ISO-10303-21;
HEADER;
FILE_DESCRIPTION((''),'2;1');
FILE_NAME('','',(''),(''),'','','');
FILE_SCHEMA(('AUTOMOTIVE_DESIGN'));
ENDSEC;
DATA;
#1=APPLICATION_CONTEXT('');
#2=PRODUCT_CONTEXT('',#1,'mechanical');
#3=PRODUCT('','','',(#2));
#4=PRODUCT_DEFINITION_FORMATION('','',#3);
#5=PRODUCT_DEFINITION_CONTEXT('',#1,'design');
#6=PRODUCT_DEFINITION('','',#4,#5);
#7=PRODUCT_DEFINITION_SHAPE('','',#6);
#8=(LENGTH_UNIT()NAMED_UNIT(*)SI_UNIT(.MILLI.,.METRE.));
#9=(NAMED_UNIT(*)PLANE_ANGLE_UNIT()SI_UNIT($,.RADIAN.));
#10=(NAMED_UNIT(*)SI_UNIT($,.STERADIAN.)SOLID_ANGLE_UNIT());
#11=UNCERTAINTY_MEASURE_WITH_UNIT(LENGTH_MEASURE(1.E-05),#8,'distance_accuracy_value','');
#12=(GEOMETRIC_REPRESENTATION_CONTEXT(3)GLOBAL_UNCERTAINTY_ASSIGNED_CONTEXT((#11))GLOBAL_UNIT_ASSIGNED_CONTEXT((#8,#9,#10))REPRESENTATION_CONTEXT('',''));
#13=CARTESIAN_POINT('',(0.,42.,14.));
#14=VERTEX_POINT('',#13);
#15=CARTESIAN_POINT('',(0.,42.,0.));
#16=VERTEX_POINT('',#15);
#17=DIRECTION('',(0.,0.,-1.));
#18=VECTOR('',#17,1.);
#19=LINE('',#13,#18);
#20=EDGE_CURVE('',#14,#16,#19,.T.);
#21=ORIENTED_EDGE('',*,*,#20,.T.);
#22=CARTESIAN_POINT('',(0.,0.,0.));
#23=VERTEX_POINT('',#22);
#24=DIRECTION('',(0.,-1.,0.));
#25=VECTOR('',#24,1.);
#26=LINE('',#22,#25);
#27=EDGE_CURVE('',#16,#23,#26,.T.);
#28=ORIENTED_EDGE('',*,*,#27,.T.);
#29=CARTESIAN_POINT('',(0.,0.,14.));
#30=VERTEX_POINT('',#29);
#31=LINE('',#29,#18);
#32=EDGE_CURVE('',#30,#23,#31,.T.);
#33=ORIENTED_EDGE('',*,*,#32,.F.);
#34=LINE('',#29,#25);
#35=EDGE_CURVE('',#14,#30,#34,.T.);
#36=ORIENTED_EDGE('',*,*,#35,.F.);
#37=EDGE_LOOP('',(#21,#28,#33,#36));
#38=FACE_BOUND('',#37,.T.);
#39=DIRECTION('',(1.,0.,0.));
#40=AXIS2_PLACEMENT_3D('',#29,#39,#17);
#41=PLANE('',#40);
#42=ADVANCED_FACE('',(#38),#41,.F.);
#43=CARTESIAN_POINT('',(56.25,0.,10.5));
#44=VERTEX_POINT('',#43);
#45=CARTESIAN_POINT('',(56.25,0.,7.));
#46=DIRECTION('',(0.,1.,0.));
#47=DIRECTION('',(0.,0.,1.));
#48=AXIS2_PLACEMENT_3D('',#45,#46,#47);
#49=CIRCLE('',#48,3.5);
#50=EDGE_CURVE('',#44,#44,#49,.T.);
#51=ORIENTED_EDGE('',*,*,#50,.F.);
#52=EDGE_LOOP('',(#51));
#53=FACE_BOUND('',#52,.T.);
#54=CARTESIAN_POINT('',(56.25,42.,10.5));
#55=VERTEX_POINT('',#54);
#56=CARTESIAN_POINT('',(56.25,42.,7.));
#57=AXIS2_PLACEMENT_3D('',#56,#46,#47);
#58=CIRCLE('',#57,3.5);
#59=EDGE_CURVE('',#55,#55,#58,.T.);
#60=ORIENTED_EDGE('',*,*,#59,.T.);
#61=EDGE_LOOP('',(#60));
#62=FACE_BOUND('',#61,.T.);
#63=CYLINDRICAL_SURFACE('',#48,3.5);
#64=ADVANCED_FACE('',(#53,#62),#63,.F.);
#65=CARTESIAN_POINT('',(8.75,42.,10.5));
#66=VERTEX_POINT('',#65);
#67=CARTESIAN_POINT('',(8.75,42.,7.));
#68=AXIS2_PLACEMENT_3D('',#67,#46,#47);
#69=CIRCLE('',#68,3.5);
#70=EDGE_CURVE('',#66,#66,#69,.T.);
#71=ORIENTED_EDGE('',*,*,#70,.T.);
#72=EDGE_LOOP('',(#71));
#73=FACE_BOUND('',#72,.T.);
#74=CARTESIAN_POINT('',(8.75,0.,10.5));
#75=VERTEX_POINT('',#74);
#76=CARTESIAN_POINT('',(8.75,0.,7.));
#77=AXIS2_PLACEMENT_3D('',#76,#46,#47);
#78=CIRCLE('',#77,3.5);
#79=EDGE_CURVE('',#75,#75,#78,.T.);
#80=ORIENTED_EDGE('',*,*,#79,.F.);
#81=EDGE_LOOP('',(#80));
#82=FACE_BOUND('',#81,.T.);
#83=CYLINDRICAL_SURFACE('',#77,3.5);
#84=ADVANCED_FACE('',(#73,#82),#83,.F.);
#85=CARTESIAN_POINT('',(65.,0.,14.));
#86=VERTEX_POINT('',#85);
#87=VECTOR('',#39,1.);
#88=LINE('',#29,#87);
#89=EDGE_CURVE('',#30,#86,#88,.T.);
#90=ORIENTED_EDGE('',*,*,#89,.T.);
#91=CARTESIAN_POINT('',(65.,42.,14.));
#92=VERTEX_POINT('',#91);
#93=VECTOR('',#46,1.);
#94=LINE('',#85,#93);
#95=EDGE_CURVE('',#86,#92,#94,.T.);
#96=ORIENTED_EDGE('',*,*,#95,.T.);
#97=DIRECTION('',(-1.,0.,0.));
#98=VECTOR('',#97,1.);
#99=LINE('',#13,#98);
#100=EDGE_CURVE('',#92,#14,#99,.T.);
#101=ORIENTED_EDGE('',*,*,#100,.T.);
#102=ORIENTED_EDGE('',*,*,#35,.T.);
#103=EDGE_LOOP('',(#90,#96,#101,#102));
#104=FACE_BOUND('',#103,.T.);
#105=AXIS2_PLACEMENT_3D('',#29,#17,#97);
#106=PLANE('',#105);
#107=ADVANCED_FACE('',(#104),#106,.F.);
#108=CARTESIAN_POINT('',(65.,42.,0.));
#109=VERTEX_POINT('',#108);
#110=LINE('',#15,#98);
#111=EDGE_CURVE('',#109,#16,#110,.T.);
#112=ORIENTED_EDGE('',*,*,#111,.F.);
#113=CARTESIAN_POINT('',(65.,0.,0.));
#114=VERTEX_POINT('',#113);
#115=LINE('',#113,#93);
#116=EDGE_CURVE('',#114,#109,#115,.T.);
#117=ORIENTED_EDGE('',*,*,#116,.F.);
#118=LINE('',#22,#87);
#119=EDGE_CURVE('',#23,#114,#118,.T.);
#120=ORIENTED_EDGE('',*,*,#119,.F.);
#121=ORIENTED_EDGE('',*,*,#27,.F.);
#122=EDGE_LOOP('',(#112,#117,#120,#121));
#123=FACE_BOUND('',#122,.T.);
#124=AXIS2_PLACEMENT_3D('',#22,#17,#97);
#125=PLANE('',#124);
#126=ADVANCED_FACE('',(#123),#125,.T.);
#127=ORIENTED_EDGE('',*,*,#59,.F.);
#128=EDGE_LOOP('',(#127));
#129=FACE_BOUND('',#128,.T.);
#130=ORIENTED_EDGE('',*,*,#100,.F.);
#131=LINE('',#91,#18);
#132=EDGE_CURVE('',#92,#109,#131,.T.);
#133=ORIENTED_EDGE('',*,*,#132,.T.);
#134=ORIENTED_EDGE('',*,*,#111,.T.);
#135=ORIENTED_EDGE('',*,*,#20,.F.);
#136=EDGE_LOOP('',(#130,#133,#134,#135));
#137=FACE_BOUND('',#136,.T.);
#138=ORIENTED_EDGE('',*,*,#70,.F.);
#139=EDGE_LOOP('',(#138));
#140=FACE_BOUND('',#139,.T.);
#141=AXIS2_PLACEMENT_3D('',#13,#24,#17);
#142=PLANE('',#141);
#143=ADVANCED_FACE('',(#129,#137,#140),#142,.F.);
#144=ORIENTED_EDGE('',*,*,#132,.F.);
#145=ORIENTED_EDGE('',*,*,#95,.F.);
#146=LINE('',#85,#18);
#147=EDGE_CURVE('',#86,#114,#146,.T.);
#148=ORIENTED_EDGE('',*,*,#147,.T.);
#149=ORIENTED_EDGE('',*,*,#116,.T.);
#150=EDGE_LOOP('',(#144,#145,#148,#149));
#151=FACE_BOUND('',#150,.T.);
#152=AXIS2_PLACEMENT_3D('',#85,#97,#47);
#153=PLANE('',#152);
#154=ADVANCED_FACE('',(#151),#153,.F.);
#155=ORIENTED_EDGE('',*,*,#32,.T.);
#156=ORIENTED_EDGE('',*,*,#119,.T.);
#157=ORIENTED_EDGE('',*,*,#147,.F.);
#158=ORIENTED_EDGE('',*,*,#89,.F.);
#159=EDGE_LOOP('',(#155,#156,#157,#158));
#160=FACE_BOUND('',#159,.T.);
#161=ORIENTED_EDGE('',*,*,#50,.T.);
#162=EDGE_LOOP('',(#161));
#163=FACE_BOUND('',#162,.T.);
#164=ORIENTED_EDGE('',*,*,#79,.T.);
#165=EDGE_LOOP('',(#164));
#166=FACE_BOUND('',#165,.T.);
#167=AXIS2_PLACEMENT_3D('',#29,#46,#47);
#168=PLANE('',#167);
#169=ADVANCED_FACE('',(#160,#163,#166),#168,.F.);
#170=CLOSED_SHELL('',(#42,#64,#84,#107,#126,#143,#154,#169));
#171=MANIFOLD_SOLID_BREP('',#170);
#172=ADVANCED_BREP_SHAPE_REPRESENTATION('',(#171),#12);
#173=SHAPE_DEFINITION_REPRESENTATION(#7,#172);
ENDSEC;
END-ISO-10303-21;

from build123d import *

# Parameters (mm, degrees)
SKETCH1_W      = 65
SKETCH1_H      = 42
EXTRUDE1_DEPTH = 14
SKETCH2_R      = 3.5
EXTRUDE2_DEPTH = 43


with BuildPart() as part:
    # Sketch1 → Extrude1 (new body)
    with BuildSketch(Plane.XY):
        with Locations((32.5, 21)):
            Rectangle(SKETCH1_W, SKETCH1_H)
    extrude(amount=EXTRUDE1_DEPTH)

    # Sketch2 → Extrude2 (cut, through all)
    with BuildSketch(Plane(origin=(0, 42, 0), x_dir=(1, 0, 0), z_dir=(0, 1, 0))):
        with Locations(Location((8.75, -7, 0), (0, 0, 270))):  # turned: the seam where the file's is
            Circle(SKETCH2_R)
        with Locations(Location((56.25, -7, 0), (0, 0, 270))):  # turned: the seam where the file's is
            Circle(SKETCH2_R)
    extrude(amount=-EXTRUDE2_DEPTH, mode=Mode.SUBTRACT)


solid = part.part
